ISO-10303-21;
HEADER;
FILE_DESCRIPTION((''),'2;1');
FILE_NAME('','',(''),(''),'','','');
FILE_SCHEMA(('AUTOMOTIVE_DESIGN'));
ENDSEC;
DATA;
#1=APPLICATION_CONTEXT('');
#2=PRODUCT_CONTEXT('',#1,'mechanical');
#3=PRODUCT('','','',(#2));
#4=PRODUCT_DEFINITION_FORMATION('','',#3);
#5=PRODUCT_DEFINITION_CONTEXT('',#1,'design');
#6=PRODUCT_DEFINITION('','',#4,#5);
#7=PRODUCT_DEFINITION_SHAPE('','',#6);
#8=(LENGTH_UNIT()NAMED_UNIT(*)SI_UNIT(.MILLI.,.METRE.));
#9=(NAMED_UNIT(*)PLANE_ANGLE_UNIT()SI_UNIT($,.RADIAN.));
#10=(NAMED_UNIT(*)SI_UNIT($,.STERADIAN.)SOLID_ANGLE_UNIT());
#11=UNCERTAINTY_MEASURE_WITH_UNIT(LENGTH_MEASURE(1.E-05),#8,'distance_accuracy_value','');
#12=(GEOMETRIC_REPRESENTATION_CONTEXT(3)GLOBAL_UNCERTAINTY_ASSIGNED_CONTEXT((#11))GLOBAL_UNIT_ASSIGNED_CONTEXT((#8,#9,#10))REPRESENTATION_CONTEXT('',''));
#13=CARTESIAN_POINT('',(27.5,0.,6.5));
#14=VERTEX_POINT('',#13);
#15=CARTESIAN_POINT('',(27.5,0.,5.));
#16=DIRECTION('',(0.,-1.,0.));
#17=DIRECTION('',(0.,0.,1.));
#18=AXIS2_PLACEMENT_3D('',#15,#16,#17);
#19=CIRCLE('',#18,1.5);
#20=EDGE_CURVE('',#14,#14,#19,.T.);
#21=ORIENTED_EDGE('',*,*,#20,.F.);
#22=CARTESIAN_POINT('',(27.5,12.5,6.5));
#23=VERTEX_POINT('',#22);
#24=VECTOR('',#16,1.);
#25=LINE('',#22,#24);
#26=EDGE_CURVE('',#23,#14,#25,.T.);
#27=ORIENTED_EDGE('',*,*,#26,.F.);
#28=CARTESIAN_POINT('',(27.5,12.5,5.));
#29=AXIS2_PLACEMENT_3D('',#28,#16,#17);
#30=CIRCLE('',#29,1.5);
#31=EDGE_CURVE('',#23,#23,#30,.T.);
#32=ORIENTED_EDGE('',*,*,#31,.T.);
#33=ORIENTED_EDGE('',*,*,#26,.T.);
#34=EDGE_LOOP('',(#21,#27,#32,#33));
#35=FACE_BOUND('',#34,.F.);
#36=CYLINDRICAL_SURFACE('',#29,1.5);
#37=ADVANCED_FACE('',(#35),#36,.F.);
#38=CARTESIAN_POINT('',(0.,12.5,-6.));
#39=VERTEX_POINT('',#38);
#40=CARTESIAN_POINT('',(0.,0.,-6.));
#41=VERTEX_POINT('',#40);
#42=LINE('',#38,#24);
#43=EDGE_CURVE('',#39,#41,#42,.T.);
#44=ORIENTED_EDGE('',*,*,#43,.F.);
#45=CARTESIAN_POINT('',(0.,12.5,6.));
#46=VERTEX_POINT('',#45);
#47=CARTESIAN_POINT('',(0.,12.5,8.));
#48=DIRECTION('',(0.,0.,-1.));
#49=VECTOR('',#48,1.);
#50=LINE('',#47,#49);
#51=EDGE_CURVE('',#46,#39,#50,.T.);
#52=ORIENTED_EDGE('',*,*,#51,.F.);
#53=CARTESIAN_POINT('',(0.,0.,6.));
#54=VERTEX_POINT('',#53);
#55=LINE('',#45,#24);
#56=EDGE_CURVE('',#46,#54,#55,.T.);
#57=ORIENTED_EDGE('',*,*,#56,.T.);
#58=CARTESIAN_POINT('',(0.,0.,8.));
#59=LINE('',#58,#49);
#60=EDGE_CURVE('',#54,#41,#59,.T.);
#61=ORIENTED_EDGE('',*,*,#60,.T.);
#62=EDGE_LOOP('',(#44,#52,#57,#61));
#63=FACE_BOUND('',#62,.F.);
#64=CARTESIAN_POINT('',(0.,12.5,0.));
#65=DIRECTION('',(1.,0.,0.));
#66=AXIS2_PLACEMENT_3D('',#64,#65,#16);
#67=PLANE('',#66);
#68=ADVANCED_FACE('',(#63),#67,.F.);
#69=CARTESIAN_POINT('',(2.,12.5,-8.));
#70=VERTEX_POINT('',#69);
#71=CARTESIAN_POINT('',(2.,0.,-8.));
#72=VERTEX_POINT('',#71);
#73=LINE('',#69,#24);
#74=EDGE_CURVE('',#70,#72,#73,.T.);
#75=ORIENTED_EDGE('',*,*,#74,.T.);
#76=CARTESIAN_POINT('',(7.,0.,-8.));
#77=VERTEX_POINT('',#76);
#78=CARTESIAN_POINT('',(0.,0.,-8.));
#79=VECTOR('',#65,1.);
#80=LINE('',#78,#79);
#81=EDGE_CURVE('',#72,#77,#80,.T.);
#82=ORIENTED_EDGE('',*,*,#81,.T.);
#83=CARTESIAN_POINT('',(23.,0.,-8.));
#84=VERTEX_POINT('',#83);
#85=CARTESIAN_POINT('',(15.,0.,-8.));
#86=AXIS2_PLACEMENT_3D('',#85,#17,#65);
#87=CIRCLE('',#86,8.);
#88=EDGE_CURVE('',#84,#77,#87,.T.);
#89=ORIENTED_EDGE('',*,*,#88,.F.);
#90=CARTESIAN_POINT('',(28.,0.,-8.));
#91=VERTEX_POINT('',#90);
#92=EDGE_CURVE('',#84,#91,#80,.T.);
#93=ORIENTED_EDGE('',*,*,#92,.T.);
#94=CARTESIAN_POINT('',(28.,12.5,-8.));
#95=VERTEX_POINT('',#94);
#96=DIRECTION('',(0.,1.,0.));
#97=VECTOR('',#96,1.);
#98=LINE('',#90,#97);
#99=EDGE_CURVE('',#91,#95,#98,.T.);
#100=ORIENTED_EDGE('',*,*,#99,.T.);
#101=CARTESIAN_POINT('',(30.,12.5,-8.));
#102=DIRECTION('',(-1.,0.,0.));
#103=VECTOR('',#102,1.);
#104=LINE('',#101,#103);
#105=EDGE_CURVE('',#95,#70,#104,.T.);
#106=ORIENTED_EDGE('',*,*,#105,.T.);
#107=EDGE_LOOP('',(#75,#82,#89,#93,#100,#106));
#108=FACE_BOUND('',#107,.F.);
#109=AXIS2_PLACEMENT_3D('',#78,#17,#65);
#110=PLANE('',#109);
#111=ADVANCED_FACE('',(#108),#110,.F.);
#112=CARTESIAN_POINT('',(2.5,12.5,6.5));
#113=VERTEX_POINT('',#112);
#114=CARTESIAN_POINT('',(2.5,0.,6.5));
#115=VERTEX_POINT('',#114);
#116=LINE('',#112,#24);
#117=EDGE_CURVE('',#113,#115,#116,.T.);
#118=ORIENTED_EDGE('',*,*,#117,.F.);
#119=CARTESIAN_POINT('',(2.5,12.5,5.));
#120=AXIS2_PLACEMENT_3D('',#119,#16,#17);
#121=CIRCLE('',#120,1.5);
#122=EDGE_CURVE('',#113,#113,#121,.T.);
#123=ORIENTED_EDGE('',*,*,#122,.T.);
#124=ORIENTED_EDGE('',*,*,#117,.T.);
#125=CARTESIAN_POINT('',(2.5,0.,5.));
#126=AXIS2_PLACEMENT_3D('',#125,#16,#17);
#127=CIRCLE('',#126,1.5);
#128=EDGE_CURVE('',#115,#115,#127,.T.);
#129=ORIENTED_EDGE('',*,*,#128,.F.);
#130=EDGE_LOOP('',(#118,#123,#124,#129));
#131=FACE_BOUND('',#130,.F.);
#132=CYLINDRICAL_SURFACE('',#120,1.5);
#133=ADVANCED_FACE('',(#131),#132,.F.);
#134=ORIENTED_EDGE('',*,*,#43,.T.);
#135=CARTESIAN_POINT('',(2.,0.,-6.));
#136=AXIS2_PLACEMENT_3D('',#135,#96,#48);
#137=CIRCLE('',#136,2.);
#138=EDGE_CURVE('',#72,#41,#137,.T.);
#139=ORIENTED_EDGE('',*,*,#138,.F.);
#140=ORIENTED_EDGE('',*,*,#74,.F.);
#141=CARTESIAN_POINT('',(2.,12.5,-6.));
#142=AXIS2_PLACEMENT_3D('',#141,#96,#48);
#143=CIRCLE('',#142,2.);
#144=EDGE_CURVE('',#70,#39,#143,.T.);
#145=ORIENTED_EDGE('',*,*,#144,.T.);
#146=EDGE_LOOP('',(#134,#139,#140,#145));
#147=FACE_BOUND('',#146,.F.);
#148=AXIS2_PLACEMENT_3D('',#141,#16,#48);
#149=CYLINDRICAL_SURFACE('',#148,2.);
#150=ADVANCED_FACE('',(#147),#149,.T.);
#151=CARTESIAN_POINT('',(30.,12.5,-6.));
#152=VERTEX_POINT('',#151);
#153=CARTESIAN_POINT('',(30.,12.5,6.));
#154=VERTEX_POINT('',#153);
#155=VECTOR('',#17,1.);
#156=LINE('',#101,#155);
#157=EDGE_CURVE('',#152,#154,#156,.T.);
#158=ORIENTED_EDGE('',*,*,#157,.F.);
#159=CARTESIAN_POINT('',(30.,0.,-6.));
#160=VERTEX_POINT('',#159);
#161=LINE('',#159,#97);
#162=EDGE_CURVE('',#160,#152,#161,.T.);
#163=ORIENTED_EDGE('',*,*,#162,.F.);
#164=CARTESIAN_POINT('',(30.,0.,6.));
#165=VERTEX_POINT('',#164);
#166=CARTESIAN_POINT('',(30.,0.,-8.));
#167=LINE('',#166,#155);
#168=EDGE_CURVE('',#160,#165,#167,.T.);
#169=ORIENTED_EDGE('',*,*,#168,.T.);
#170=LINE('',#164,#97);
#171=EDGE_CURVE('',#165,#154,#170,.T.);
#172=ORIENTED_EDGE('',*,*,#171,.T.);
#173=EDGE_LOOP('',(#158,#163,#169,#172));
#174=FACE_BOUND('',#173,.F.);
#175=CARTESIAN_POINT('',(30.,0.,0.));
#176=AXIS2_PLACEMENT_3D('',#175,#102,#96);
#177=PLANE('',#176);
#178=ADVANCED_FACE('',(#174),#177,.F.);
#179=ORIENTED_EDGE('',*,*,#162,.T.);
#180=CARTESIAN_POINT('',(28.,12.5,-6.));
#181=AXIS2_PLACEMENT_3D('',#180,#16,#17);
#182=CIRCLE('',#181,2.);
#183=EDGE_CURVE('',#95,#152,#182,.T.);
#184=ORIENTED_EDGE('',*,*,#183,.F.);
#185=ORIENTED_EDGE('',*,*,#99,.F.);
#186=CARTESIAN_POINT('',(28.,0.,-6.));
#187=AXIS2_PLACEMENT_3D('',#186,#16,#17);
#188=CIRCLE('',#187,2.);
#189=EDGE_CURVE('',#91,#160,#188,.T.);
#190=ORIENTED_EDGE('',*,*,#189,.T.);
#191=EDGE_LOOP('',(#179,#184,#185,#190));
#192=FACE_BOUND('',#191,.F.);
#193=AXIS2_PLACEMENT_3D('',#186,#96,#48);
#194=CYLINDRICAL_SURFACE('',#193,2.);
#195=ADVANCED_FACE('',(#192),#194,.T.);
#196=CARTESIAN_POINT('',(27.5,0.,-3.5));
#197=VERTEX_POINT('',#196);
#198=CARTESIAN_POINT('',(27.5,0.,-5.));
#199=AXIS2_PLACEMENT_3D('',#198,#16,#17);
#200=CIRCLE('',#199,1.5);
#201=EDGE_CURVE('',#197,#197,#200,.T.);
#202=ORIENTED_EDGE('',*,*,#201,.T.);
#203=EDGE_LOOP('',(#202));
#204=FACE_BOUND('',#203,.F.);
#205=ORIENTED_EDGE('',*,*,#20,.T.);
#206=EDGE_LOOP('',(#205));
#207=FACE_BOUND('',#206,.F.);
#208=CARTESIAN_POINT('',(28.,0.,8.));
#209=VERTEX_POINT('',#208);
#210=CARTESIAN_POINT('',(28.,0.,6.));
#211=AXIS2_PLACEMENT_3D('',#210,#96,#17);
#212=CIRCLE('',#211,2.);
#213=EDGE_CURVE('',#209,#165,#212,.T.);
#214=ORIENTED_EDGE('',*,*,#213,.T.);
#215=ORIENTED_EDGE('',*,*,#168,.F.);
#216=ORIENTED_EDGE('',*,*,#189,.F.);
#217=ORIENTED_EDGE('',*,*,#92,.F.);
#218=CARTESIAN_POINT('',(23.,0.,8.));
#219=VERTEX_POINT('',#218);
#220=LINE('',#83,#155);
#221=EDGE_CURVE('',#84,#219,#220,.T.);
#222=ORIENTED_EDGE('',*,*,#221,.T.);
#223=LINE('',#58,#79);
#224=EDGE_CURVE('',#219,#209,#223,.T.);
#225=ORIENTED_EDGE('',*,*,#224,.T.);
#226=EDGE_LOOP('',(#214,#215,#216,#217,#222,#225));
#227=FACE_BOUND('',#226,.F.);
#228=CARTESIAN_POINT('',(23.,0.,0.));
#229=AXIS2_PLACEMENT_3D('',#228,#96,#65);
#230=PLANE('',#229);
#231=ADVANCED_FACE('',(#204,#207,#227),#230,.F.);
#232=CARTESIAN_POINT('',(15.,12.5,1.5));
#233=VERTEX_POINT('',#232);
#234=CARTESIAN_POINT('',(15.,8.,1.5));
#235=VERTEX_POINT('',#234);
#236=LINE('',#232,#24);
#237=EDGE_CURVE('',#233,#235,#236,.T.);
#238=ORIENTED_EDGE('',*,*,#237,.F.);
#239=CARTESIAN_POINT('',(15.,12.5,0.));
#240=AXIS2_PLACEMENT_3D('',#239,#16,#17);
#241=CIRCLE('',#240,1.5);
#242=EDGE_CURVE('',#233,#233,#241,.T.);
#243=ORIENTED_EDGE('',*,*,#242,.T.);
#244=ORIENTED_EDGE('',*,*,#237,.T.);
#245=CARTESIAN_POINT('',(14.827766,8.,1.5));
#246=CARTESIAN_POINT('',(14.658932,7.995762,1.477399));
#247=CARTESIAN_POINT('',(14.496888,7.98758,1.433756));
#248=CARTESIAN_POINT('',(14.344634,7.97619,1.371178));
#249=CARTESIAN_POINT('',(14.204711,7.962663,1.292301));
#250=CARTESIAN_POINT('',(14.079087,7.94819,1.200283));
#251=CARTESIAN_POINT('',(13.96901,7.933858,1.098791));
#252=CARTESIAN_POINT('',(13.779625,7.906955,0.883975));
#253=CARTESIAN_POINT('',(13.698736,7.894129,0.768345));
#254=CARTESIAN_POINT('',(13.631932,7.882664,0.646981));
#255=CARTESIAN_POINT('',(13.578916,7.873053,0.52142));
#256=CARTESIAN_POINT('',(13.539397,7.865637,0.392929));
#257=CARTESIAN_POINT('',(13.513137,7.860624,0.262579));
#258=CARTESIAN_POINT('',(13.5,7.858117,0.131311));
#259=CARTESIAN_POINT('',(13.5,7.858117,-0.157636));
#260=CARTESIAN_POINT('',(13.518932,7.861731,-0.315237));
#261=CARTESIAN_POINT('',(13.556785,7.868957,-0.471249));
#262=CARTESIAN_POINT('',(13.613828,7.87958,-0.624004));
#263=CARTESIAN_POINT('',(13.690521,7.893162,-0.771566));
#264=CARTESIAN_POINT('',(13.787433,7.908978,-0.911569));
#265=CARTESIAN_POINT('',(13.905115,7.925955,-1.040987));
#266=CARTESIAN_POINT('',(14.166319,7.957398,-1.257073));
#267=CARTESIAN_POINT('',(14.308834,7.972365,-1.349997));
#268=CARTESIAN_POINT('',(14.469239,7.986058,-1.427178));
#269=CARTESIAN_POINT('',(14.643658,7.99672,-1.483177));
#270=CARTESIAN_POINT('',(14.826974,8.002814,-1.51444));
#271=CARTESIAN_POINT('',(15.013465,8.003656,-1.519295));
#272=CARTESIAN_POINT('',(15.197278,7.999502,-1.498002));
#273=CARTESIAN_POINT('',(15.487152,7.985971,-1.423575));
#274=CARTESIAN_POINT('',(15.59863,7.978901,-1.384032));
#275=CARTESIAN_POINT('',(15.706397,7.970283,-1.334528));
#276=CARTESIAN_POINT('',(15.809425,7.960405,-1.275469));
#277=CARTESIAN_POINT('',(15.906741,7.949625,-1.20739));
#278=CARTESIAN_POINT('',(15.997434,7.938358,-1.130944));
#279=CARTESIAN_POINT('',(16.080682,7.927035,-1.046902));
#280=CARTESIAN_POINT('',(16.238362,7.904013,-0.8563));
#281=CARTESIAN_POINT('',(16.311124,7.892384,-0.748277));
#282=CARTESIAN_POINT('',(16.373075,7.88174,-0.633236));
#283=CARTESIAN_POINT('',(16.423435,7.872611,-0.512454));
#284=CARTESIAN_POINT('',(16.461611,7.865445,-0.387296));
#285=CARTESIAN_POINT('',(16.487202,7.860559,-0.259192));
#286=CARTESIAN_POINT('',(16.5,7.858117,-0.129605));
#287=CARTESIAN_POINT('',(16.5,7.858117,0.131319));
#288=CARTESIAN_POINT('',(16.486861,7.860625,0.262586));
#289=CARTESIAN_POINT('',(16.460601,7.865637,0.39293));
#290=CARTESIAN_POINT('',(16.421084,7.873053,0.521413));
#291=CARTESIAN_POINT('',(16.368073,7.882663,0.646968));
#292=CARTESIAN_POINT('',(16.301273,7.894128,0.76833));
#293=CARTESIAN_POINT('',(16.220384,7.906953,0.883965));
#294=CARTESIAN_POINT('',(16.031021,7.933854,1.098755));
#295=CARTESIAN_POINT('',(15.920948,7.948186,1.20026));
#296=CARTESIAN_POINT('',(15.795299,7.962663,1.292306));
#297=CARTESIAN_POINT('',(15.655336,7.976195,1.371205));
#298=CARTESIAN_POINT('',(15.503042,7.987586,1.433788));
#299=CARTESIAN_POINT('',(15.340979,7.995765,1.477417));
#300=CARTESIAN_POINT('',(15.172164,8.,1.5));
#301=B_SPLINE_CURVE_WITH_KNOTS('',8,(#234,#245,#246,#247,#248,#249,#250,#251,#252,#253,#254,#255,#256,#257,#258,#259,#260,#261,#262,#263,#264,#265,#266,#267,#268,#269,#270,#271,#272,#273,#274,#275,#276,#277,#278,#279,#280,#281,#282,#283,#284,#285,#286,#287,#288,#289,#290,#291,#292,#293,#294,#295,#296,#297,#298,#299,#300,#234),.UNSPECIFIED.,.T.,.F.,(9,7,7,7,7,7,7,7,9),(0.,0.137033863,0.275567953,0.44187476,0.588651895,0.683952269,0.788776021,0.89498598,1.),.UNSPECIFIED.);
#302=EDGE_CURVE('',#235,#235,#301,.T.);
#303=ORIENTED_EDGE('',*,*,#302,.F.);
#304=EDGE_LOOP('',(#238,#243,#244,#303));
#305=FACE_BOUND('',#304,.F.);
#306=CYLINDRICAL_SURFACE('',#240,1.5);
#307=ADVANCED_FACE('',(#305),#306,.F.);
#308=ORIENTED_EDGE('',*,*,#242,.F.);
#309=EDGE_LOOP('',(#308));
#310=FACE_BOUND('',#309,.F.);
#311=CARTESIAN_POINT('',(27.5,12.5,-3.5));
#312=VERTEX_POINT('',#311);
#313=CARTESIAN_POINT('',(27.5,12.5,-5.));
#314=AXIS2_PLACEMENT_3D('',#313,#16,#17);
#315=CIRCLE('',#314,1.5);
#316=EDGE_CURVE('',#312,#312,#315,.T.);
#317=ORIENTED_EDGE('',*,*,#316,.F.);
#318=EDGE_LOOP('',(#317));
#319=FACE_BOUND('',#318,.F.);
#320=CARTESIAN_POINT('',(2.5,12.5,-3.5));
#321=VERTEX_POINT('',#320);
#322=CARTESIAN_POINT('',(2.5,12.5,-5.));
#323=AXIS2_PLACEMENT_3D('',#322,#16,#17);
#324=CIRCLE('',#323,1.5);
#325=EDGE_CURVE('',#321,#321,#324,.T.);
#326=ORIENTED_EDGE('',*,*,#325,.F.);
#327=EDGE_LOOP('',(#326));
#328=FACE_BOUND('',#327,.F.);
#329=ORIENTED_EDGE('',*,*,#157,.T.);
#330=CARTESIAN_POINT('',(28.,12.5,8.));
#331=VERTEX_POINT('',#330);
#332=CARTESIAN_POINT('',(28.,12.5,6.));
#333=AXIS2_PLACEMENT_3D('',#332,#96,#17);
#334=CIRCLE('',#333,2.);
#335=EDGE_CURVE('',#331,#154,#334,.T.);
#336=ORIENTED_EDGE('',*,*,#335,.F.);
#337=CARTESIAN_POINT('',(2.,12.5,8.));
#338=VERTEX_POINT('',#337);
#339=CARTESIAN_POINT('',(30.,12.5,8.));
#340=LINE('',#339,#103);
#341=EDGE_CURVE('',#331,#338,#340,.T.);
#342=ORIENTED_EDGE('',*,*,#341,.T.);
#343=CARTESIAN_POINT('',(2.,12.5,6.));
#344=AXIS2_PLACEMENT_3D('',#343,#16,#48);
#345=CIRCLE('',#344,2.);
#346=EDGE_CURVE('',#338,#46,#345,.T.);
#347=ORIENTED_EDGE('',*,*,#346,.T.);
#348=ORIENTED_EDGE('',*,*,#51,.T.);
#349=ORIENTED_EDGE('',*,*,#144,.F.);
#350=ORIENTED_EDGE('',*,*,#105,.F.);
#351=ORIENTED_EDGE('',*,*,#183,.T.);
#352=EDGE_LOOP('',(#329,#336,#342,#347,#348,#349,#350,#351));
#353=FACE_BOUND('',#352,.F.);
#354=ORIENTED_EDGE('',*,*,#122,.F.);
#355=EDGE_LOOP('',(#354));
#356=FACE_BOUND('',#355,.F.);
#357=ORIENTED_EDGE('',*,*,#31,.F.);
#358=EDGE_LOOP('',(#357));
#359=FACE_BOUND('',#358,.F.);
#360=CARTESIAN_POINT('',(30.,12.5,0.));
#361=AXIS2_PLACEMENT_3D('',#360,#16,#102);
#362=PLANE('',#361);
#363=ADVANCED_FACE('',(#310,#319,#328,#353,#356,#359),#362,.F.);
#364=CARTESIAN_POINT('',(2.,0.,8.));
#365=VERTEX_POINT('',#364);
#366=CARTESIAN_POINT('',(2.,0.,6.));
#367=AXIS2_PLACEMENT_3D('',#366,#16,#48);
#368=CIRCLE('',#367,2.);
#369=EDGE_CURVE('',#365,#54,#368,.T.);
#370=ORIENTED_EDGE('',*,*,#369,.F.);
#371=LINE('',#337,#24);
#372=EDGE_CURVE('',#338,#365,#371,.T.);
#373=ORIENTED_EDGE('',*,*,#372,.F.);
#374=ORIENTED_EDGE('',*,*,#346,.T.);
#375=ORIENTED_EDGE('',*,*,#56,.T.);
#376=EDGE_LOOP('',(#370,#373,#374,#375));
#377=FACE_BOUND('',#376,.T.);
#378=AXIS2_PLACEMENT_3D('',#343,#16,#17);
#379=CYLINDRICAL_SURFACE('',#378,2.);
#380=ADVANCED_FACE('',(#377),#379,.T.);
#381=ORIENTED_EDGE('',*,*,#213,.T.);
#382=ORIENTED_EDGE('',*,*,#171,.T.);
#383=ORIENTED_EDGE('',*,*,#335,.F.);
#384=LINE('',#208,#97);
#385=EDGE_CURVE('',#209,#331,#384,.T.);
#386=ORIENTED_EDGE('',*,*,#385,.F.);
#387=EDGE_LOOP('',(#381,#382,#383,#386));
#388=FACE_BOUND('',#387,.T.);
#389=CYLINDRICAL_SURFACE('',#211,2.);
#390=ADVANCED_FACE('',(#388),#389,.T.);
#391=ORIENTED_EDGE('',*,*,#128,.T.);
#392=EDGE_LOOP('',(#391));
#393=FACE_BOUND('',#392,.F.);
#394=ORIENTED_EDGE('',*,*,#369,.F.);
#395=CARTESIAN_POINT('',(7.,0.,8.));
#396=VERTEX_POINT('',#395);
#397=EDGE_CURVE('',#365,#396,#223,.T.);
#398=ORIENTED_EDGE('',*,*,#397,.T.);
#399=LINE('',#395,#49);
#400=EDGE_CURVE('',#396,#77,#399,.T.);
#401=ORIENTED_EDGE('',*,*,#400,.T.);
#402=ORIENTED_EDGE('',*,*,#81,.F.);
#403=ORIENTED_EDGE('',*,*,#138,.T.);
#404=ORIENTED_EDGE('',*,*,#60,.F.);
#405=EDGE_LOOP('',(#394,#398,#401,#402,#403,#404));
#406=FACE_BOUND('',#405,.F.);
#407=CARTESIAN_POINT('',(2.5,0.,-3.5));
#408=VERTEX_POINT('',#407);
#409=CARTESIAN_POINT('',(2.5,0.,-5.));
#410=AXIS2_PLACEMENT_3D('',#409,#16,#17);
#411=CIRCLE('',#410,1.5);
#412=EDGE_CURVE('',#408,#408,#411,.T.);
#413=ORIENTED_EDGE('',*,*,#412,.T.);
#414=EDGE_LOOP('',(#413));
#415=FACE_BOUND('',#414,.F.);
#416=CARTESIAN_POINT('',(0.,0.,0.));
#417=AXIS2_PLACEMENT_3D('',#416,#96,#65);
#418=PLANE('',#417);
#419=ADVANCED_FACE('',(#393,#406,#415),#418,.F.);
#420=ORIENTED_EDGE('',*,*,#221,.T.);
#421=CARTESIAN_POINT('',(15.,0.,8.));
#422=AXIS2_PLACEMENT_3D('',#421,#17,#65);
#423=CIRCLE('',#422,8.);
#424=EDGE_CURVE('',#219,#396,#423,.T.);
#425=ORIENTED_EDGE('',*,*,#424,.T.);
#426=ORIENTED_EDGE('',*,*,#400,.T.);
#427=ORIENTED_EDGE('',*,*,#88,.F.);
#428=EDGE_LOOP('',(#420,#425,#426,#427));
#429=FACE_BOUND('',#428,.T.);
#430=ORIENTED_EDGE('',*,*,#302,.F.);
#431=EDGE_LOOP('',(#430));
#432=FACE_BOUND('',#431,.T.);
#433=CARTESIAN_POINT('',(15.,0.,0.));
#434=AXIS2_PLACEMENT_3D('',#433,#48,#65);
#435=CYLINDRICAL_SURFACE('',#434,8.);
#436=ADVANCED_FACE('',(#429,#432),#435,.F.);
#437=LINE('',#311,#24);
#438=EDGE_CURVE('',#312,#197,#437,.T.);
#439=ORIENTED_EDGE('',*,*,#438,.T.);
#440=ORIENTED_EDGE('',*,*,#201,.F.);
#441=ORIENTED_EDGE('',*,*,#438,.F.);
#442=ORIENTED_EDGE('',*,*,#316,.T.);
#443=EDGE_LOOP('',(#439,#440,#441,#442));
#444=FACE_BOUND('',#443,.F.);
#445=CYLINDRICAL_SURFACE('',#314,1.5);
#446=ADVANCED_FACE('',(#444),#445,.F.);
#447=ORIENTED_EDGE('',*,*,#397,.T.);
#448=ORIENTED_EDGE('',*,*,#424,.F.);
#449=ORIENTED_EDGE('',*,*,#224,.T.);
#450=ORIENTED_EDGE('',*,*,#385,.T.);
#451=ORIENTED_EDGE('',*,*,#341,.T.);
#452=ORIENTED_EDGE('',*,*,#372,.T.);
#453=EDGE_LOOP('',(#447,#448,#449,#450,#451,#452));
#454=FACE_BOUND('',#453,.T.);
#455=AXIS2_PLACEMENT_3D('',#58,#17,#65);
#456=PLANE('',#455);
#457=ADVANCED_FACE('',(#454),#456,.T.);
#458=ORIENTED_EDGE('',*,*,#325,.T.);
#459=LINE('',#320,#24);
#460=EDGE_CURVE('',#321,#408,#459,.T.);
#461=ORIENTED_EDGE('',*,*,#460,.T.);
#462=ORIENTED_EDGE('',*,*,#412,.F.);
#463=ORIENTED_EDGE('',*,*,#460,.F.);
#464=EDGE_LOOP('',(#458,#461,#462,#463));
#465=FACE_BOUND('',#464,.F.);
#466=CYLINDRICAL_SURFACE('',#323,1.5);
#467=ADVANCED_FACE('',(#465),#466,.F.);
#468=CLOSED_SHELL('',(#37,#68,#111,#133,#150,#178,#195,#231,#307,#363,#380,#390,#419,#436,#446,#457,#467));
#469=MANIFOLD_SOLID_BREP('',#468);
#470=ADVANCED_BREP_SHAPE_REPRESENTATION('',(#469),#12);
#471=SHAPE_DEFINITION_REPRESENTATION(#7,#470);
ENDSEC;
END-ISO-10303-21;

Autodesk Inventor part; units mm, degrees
ref_plane "YZ Plane" through (0, 0, 0) normal (1, 0, 0) x (0, 1, 0)
ref_plane "XZ Plane" through (0, 0, 0) normal (0, 1, 0) x (-1, 0, 0)
ref_plane "XY Plane" through (0, 0, 0) normal (0, 0, 1) x (1, 0, 0)
sketch "Sketch1" plane through (0, 0, 0) normal (0, 0, 1) x (1, 0, 0)
  line L0 (0, 0) -> (30, 0)
  line L1 (30, 0) -> (30, 12.5)
  line L2 (30, 12.5) -> (0, 12.5)
  line L3 (0, 12.5) -> (0, 0)
  circle A0 centre (15, 0) radius 8
  point P0 (7, 0)
  point P1 (23, 0)
  dimension "d0" = 30
  dimension "d1" = 12.5
  dimension "d2" = 16
extrude "Extrusion1" add sketch "Sketch1" along normal mid plane 16 contours A0 L0 L3 L2 L1
sketch "Sketch2" plane through (0, 12.5, 8) normal (0, 1, 0) x (1, 0, 0)
  line L0 (0, 16) -> (0, 0) projected
  line L1 (30, 0) -> (0, 0) projected
  line L2 (30, 16) -> (30, 0) projected
  line L3 (0, 16) -> (30, 16) projected
  line L4 (23, 0) -> (7, 0) projected
  line L5 (15, 0) -> (15, 16)
  line L6 (0, 8) -> (30, 8)
  line L7 (2.5, 3) -> (27.5, 3)
  line L8 (27.5, 3) -> (27.5, 13)
  line L9 (27.5, 13) -> (2.5, 13)
  line L10 (2.5, 13) -> (2.5, 3)
  point P0 (15, 8)
  dimension "d5" = 25
  dimension "d6" = 10
hole "Hole1" at (2.5, 12.5, 5) at (2.5, 12.5, -5) at (27.5, 12.5, -5) at (27.5, 12.5, 5) at (15, 12.5, 0) direction (0, -1, 0) diameter 3 end through all
fillet "Fillet1" radius 2 4 edges at (0, 6.25, 8) (30, 6.25, -8) (30, 6.25, 8) (0, 6.25, -8)
properties part number "base2" material "PVC-Piping"
